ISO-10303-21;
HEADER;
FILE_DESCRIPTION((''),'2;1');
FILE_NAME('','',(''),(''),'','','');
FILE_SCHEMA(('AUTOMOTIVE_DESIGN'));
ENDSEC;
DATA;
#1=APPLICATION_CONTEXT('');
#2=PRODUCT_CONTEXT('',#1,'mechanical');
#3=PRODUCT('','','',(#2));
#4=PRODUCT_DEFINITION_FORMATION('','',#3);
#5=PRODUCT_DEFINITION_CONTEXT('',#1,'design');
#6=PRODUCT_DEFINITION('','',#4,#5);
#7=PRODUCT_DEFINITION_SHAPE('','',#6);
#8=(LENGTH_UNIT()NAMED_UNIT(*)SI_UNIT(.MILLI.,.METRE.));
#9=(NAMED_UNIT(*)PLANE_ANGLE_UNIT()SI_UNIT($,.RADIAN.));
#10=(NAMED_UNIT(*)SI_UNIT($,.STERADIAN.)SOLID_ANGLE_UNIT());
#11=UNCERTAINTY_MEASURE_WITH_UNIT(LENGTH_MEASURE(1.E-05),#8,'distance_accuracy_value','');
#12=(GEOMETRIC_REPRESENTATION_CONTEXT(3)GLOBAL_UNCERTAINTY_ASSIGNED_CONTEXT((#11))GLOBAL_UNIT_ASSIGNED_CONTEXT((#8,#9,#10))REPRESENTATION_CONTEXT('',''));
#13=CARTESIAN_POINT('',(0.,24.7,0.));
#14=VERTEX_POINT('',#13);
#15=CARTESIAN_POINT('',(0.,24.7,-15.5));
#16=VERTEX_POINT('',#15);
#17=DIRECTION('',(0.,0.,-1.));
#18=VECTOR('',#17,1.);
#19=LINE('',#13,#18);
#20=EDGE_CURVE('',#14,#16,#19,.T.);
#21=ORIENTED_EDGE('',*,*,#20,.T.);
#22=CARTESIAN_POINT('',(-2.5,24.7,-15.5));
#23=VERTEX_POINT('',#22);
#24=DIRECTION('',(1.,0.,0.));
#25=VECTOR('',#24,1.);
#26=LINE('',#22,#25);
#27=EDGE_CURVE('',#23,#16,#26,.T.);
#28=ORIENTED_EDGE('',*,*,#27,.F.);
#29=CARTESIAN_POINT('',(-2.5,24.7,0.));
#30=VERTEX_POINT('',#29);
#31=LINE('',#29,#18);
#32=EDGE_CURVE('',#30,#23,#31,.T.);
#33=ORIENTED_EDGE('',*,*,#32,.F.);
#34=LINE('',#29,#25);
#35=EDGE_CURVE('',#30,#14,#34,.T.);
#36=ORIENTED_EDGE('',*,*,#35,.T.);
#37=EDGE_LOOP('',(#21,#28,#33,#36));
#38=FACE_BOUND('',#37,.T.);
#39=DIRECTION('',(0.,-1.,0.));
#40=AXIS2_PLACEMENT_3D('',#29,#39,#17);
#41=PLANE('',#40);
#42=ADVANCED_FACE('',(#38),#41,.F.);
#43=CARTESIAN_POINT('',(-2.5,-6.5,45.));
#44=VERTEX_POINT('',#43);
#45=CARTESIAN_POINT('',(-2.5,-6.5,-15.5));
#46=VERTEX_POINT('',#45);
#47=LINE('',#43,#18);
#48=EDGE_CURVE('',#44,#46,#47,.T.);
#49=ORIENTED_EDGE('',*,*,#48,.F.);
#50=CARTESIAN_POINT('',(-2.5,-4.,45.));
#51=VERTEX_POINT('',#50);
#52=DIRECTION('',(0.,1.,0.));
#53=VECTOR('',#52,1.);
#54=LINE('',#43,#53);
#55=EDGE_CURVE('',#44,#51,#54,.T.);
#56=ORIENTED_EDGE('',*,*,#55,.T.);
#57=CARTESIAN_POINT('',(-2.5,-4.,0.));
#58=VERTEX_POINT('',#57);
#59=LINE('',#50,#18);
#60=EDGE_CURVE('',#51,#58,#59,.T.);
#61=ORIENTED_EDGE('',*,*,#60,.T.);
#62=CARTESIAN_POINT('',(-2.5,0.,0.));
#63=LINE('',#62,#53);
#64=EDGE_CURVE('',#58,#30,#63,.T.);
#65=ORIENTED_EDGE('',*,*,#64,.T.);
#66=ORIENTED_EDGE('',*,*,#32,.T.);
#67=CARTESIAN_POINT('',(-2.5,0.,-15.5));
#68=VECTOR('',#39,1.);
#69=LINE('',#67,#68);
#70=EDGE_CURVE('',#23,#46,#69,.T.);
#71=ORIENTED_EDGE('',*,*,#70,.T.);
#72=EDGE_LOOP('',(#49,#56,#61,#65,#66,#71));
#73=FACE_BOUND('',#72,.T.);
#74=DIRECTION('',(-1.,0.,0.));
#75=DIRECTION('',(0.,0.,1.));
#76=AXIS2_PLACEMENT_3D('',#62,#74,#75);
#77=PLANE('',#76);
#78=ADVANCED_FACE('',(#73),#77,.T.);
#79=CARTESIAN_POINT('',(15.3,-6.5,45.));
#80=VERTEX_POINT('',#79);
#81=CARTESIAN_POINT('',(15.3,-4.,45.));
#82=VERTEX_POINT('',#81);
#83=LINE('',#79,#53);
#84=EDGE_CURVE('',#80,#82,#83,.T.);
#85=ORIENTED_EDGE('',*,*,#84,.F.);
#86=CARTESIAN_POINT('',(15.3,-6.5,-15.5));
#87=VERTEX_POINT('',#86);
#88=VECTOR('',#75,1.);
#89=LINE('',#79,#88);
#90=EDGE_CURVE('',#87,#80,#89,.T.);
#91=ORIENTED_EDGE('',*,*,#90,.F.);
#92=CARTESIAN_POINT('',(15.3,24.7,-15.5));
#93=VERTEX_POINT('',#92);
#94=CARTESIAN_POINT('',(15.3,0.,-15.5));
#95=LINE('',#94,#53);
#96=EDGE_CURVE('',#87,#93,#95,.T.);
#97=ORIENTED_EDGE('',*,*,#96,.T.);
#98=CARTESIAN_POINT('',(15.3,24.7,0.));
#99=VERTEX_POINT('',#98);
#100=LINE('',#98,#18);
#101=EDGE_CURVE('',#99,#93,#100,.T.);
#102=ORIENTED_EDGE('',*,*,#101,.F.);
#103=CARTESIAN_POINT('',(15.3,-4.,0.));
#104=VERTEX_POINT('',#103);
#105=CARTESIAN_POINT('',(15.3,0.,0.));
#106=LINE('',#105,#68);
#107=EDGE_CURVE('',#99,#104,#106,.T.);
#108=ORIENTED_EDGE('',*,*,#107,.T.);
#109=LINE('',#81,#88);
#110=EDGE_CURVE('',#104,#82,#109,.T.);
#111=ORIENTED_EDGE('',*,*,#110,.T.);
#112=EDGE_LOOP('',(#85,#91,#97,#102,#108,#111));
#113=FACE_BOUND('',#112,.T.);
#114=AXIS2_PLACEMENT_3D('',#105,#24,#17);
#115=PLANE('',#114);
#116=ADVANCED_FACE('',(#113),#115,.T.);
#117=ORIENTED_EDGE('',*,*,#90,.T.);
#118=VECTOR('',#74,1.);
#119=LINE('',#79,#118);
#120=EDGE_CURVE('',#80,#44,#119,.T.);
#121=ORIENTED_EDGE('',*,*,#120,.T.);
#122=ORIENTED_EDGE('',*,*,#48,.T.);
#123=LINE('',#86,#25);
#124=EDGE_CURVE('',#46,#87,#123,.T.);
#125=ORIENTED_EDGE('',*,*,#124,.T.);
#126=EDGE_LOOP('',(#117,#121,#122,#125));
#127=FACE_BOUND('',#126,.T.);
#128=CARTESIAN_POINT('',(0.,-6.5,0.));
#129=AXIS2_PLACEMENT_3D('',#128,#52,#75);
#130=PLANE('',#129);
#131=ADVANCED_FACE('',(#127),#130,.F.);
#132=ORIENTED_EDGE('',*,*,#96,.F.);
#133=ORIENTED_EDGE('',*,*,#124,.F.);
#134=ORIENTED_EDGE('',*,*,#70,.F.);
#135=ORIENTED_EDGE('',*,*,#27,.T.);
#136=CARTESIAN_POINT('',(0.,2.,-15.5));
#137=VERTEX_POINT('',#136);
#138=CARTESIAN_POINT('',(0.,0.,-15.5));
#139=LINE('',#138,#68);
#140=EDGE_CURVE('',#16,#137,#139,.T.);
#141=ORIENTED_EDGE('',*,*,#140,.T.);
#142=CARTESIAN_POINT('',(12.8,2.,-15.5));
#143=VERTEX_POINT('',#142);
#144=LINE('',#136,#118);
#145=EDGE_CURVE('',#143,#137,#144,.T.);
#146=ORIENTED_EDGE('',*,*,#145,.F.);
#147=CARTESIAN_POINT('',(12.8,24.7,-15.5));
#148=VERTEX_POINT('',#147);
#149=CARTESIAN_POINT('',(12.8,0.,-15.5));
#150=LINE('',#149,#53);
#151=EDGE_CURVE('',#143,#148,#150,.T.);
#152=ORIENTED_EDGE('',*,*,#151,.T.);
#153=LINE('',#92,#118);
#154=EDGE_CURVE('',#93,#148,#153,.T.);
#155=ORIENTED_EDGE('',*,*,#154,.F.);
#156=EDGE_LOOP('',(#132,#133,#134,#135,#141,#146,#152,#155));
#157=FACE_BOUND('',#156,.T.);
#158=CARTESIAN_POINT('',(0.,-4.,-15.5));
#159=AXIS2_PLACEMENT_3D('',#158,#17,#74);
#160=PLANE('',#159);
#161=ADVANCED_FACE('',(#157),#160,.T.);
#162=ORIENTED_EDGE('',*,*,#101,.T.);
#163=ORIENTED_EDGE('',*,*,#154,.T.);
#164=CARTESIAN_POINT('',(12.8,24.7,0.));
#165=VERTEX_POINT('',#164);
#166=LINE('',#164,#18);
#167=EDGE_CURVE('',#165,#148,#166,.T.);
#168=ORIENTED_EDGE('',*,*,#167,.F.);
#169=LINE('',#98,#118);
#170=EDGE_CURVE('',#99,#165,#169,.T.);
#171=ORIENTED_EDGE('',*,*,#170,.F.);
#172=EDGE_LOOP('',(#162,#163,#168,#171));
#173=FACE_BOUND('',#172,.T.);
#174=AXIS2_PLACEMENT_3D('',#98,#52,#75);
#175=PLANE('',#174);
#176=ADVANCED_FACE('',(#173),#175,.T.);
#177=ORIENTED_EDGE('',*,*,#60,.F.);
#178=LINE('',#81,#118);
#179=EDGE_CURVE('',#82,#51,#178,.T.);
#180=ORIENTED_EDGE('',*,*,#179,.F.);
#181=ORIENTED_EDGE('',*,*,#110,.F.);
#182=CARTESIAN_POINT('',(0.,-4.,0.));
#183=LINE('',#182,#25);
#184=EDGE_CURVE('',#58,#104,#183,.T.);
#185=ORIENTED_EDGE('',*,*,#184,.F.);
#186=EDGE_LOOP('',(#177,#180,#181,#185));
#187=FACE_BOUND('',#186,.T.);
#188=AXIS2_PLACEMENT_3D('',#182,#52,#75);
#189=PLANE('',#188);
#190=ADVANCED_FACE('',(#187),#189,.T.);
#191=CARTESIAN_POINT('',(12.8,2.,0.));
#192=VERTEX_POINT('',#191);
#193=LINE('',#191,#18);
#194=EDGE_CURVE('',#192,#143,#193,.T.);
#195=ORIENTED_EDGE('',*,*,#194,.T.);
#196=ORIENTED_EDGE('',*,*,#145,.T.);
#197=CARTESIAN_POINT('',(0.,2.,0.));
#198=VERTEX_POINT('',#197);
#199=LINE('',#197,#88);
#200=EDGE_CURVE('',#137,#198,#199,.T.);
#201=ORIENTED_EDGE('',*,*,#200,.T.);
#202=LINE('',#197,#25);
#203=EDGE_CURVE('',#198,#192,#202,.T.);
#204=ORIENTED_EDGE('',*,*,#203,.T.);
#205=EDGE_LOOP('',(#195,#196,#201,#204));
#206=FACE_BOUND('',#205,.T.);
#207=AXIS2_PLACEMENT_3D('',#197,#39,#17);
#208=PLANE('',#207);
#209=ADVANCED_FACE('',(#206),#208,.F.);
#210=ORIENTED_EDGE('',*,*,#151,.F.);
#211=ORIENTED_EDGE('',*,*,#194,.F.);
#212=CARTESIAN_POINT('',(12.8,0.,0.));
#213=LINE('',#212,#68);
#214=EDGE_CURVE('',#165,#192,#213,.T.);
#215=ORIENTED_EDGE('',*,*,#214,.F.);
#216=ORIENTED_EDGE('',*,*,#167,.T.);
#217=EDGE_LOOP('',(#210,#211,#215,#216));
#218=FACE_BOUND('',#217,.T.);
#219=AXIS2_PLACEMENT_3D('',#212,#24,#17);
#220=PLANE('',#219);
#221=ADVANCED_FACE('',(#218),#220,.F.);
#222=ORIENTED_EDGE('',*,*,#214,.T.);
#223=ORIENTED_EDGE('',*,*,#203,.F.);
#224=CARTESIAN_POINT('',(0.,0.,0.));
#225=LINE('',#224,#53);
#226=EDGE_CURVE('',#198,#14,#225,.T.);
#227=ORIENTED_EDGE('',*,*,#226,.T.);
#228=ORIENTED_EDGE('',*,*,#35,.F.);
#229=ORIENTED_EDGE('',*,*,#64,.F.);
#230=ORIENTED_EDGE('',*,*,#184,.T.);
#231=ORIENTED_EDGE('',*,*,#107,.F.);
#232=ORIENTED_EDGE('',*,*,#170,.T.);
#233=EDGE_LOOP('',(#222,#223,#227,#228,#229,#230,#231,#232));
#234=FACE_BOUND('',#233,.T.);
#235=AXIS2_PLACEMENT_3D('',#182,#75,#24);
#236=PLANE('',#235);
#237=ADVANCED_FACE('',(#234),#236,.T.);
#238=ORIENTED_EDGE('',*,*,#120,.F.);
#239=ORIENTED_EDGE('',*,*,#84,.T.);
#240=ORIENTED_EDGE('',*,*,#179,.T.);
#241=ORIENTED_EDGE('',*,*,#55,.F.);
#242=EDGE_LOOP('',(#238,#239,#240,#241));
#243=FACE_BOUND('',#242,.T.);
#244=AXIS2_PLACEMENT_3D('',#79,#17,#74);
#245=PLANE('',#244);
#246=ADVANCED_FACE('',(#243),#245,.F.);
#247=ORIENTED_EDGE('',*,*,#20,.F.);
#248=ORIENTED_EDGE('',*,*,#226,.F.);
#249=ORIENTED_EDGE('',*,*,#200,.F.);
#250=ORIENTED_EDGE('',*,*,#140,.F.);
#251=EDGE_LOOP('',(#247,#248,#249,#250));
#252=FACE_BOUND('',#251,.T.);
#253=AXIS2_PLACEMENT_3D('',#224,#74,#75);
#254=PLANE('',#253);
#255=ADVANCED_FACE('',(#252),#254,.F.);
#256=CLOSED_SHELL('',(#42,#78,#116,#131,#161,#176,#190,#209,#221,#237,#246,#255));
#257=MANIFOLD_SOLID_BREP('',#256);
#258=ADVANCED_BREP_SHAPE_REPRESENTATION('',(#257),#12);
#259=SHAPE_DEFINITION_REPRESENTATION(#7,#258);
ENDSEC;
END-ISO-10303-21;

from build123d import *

# Parameters (mm, degrees)
BOSS_EXTRUDE1_DEPTH      = 2
BOSS_EXTRUDE1_DEPTH_BACK = 4
SKETCH1_W                = 12.8
SKETCH1_H                = 15.5
SKETCH2_W                = 15.5
SKETCH2_H                = 4
SKETCH2_H_2              = 22.7
SKETCH2_H_3              = 2
BOSS_EXTRUDE2_DEPTH      = 2.5
BOSS_EXTRUDE3_DEPTH      = 2.5
SKETCH5_W                = 17.8
SKETCH5_H                = 60.5
BOSS_EXTRUDE5_DEPTH      = 2.5


with BuildPart() as part:
    # Sketch1 → Boss-Extrude1 (new, two sides: drawn at the far end of the back side and taken through both)
    with BuildSketch(Plane(origin=(0, 0, 0), x_dir=(1, 0, 0), z_dir=(0, 1, 0)).offset(-BOSS_EXTRUDE1_DEPTH_BACK)):
        with Locations((6.4, 7.75)):
            Rectangle(SKETCH1_W, SKETCH1_H)
    extrude(amount=BOSS_EXTRUDE1_DEPTH + BOSS_EXTRUDE1_DEPTH_BACK)

    # Sketch2 → Boss-Extrude2 (add)
    with BuildSketch(Plane(origin=(12.8, 0, 0), x_dir=(0, 0, -1), z_dir=(1, 0, 0))):
        with Locations((7.75, -2)):
            Rectangle(SKETCH2_W, SKETCH2_H)
        with Locations((7.75, 13.35)):
            Rectangle(SKETCH2_W, SKETCH2_H_2)
        with Locations((7.75, 1)):
            Rectangle(SKETCH2_W, SKETCH2_H_3)
    extrude(amount=BOSS_EXTRUDE2_DEPTH)

    # Sketch3 → Boss-Extrude3 (add)
    with BuildSketch(Plane.ZY):
        Polygon((0, 0), (0, 24.7), (-15.5, 24.7), (-15.5, 0), (-15.5, -4), (0, -4), align=None)
    extrude(amount=BOSS_EXTRUDE3_DEPTH)

    # Sketch5 → Boss-Extrude5 (add)
    with BuildSketch(Plane.XZ.offset(4)):
        with Locations((6.4, 14.75)):
            Rectangle(SKETCH5_W, SKETCH5_H)
    extrude(amount=BOSS_EXTRUDE5_DEPTH)


solid = part.part
